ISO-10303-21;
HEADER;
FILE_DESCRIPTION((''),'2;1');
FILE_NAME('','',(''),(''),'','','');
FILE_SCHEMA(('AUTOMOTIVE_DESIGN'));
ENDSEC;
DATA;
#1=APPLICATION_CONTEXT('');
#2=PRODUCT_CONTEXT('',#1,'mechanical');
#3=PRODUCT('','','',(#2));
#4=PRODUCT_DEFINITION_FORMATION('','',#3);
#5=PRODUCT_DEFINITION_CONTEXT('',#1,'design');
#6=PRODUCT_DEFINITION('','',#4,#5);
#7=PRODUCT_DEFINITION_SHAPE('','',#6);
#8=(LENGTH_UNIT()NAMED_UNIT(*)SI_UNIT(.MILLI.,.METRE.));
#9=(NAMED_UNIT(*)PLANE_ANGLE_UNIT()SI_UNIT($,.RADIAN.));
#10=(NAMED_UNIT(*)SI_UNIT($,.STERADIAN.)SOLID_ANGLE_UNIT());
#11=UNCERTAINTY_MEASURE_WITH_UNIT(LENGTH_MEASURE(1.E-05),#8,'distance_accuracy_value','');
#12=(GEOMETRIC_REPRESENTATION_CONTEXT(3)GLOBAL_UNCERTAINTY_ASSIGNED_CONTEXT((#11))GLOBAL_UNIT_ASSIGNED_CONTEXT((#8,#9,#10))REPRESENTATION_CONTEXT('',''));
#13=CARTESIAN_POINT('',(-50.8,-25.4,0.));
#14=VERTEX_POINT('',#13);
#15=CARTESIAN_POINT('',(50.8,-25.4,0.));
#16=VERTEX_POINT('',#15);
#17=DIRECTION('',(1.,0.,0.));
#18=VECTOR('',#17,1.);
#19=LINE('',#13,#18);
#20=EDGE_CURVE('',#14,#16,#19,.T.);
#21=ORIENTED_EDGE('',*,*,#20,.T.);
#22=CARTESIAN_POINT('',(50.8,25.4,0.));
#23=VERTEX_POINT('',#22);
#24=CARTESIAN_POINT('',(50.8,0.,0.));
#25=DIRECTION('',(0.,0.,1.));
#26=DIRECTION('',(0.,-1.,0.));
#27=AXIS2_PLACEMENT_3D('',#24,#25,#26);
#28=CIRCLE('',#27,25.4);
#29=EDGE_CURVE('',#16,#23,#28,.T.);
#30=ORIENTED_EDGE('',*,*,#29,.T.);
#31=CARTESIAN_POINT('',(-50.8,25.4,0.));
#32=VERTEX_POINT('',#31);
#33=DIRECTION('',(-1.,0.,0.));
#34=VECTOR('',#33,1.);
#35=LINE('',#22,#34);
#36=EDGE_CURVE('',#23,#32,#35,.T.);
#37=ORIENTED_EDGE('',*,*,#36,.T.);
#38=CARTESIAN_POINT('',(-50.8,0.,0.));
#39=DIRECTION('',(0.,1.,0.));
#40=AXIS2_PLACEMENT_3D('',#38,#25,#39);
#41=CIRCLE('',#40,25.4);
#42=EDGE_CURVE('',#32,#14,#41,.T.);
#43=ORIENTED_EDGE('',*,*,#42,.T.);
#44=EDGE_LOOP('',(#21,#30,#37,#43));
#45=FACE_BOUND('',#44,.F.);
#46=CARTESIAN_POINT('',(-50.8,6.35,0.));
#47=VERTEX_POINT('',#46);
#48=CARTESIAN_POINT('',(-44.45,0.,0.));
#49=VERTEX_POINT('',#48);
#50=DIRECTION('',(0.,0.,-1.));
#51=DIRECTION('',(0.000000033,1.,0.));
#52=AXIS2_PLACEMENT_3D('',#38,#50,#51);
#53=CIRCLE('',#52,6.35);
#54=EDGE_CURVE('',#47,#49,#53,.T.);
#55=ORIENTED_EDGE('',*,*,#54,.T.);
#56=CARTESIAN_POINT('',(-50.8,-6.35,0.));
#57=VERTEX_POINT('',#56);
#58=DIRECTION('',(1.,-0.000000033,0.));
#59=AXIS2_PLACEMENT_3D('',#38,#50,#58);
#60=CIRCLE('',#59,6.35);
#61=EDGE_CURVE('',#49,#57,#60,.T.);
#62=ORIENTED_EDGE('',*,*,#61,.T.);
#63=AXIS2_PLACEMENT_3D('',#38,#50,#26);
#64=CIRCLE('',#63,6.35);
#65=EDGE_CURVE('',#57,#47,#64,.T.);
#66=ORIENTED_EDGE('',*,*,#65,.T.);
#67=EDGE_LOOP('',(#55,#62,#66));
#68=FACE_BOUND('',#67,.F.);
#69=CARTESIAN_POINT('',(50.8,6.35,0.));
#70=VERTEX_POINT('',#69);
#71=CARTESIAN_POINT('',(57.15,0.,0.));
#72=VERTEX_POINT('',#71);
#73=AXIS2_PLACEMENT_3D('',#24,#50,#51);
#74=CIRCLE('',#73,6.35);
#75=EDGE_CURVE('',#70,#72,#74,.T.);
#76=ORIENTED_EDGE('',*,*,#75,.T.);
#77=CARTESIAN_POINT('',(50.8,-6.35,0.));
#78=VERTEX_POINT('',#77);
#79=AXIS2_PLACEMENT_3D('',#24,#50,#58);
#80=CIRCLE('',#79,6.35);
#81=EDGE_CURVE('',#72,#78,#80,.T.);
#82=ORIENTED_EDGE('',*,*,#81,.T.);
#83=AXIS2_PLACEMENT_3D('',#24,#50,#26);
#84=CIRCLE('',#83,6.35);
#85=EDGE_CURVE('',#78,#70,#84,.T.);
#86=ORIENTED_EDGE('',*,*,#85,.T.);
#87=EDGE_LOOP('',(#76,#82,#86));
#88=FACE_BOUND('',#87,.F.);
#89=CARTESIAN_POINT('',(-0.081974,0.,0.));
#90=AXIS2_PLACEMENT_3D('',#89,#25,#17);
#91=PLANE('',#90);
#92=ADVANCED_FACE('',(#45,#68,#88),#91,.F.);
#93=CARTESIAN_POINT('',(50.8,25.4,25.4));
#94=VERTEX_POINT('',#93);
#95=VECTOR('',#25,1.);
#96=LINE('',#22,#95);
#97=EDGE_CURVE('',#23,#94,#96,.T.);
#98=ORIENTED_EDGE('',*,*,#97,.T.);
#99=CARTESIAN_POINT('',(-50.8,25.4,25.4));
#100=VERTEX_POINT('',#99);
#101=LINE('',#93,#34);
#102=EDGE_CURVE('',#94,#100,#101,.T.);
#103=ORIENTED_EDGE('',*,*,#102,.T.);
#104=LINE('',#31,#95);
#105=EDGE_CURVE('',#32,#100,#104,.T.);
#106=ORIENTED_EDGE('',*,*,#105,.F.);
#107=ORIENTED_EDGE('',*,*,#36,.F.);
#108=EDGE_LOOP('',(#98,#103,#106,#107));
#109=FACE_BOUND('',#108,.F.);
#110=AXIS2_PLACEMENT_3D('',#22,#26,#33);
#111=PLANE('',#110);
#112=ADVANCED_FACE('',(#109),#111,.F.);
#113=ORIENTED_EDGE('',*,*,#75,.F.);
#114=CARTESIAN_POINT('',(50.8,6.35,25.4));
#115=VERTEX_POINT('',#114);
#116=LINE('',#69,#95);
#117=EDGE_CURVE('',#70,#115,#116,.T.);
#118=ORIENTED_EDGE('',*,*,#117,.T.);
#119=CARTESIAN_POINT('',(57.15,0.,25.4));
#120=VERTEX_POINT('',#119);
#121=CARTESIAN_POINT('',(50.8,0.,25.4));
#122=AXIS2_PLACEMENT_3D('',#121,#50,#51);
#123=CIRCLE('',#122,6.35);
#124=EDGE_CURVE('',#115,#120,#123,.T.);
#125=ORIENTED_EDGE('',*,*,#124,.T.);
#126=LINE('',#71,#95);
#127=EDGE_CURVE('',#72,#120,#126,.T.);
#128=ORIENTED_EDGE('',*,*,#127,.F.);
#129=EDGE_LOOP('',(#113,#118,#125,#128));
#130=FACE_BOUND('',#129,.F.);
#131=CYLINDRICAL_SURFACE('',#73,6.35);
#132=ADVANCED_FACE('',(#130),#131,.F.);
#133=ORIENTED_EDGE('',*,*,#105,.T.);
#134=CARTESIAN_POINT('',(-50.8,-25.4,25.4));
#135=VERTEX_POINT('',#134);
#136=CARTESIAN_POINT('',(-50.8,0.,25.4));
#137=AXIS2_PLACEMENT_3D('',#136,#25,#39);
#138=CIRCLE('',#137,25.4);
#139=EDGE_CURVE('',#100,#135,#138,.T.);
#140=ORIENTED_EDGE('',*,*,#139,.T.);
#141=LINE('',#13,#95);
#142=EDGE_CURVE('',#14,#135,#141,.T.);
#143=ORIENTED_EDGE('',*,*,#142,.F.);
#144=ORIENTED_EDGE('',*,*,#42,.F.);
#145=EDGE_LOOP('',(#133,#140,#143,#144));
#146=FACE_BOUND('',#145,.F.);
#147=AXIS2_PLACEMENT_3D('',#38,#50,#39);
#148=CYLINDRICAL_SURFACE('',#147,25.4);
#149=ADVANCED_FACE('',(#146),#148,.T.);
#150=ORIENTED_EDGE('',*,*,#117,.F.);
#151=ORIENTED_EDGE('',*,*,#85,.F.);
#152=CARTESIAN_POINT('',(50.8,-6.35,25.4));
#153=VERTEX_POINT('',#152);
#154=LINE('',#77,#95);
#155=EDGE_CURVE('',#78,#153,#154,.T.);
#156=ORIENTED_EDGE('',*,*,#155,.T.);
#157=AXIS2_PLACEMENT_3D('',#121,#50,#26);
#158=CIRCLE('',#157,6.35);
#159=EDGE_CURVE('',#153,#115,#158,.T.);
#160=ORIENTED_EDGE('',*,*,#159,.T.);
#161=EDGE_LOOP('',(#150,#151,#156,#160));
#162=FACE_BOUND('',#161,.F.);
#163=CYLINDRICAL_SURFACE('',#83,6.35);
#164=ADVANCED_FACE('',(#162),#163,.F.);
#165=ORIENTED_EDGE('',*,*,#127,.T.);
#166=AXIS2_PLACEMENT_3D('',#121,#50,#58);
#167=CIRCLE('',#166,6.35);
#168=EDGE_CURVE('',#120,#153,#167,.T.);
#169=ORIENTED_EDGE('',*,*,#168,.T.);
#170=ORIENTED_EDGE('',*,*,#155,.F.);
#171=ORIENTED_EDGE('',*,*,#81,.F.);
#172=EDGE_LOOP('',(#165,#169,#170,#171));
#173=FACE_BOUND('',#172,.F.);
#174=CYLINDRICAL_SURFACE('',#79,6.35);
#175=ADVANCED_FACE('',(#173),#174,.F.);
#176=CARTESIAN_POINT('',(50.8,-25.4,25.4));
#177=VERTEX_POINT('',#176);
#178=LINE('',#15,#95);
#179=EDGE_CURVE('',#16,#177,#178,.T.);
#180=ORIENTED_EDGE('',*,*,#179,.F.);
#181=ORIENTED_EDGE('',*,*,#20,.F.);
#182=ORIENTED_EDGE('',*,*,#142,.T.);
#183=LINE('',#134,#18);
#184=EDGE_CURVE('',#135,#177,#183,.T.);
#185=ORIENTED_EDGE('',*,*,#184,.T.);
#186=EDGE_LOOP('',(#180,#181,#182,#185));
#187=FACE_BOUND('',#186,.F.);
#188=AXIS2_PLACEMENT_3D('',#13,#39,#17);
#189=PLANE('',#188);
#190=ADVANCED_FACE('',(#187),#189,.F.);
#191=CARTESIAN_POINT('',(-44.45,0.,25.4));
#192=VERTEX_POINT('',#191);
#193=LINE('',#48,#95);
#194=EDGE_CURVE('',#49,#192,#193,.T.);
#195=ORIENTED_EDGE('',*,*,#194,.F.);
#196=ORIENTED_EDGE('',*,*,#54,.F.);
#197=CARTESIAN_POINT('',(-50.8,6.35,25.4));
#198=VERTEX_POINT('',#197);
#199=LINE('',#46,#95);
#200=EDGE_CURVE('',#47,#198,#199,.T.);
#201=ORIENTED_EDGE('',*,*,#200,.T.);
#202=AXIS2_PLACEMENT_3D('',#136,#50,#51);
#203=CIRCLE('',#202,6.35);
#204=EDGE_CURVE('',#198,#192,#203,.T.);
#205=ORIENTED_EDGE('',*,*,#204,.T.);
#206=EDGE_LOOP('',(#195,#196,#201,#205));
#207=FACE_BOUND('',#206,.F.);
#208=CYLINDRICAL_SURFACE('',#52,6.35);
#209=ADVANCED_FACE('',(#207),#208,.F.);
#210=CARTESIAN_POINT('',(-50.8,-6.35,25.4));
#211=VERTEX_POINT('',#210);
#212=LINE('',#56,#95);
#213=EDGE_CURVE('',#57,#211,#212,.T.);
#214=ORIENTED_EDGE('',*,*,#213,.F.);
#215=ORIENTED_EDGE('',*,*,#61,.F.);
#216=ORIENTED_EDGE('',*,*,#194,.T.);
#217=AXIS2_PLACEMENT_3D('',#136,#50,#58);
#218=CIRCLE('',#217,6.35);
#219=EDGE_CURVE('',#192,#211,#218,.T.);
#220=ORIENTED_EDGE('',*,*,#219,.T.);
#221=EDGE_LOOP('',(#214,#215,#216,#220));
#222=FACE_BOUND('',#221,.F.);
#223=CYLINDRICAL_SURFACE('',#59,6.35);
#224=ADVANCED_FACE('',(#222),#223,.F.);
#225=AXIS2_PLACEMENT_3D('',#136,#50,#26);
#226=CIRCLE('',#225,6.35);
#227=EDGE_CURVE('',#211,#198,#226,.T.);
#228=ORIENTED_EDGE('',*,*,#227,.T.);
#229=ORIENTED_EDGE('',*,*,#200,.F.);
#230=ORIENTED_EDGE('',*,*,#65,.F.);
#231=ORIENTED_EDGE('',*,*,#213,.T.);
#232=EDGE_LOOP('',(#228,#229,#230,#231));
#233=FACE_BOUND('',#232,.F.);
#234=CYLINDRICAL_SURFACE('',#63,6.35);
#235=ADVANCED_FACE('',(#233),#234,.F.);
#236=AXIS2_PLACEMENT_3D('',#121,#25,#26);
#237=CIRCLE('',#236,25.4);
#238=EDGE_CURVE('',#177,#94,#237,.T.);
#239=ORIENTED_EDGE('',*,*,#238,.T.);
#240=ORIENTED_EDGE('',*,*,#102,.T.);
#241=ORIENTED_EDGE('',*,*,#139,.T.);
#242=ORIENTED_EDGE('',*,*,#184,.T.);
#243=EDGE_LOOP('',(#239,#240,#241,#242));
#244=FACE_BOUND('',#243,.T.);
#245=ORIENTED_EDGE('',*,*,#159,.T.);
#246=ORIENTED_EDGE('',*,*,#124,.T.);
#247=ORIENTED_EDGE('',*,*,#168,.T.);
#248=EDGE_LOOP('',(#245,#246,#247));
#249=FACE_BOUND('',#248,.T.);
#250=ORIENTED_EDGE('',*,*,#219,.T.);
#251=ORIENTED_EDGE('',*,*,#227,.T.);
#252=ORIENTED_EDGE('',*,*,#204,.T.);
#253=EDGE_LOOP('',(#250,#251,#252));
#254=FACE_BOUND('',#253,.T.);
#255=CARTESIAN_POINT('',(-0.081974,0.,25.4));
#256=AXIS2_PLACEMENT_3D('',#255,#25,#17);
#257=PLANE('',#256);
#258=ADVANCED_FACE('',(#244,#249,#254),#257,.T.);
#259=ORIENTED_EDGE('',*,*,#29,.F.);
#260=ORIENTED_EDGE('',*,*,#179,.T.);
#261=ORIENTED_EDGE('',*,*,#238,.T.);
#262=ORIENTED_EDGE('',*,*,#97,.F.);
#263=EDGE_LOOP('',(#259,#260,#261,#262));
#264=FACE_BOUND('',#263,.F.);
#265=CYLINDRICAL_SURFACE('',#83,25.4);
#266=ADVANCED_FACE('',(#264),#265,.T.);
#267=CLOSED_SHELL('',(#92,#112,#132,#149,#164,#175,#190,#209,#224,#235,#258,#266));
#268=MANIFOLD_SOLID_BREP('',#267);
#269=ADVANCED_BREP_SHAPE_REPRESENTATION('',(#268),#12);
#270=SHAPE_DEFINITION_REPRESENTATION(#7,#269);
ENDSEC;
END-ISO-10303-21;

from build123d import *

# Parameters (mm, degrees)
F1_DEPTH = 25.4


with BuildPart() as f1:
    # F0 (on Top) → F1 (new body)
    with BuildSketch(Plane.XY):
        with BuildLine():
            Line((-50.8, -25.4), (50.8, -25.4))
            Line((50.8, -25.4), (50.8, -6.35))
            ThreePointArc((50.8, -6.35), (44.45, 0), (50.8, 6.35))
            Line((50.8, 6.35), (50.8, 25.4))
            Line((50.8, 25.4), (-50.8, 25.4))
            Line((-50.8, 25.4), (-50.8, 6.35))
            ThreePointArc((-50.8, 6.35), (-46.309872, 4.490128), (-44.45, 0))
            ThreePointArc((-44.45, 0), (-46.309872, -4.490128), (-50.8, -6.35))
            Line((-50.8, -6.35), (-50.8, -25.4))
        make_face()
        with BuildLine():
            Line((50.8, -6.35), (50.8, -25.4))
            ThreePointArc((50.8, -25.4), (76.2, 0), (50.8, 25.4))
            Line((50.8, 25.4), (50.8, 6.35))
            ThreePointArc((50.8, 6.35), (55.290128, 4.490128), (57.15, 0))
            ThreePointArc((57.15, 0), (55.290128, -4.490128), (50.8, -6.35))
        make_face()
        with BuildLine():
            ThreePointArc((-50.8, 25.4), (-76.2, 0), (-50.8, -25.4))
            Line((-50.8, -25.4), (-50.8, -6.35))
            ThreePointArc((-50.8, -6.35), (-57.15, 0), (-50.8, 6.35))
            Line((-50.8, 6.35), (-50.8, 25.4))
        make_face()
    extrude(amount=F1_DEPTH)


solid = f1.part
